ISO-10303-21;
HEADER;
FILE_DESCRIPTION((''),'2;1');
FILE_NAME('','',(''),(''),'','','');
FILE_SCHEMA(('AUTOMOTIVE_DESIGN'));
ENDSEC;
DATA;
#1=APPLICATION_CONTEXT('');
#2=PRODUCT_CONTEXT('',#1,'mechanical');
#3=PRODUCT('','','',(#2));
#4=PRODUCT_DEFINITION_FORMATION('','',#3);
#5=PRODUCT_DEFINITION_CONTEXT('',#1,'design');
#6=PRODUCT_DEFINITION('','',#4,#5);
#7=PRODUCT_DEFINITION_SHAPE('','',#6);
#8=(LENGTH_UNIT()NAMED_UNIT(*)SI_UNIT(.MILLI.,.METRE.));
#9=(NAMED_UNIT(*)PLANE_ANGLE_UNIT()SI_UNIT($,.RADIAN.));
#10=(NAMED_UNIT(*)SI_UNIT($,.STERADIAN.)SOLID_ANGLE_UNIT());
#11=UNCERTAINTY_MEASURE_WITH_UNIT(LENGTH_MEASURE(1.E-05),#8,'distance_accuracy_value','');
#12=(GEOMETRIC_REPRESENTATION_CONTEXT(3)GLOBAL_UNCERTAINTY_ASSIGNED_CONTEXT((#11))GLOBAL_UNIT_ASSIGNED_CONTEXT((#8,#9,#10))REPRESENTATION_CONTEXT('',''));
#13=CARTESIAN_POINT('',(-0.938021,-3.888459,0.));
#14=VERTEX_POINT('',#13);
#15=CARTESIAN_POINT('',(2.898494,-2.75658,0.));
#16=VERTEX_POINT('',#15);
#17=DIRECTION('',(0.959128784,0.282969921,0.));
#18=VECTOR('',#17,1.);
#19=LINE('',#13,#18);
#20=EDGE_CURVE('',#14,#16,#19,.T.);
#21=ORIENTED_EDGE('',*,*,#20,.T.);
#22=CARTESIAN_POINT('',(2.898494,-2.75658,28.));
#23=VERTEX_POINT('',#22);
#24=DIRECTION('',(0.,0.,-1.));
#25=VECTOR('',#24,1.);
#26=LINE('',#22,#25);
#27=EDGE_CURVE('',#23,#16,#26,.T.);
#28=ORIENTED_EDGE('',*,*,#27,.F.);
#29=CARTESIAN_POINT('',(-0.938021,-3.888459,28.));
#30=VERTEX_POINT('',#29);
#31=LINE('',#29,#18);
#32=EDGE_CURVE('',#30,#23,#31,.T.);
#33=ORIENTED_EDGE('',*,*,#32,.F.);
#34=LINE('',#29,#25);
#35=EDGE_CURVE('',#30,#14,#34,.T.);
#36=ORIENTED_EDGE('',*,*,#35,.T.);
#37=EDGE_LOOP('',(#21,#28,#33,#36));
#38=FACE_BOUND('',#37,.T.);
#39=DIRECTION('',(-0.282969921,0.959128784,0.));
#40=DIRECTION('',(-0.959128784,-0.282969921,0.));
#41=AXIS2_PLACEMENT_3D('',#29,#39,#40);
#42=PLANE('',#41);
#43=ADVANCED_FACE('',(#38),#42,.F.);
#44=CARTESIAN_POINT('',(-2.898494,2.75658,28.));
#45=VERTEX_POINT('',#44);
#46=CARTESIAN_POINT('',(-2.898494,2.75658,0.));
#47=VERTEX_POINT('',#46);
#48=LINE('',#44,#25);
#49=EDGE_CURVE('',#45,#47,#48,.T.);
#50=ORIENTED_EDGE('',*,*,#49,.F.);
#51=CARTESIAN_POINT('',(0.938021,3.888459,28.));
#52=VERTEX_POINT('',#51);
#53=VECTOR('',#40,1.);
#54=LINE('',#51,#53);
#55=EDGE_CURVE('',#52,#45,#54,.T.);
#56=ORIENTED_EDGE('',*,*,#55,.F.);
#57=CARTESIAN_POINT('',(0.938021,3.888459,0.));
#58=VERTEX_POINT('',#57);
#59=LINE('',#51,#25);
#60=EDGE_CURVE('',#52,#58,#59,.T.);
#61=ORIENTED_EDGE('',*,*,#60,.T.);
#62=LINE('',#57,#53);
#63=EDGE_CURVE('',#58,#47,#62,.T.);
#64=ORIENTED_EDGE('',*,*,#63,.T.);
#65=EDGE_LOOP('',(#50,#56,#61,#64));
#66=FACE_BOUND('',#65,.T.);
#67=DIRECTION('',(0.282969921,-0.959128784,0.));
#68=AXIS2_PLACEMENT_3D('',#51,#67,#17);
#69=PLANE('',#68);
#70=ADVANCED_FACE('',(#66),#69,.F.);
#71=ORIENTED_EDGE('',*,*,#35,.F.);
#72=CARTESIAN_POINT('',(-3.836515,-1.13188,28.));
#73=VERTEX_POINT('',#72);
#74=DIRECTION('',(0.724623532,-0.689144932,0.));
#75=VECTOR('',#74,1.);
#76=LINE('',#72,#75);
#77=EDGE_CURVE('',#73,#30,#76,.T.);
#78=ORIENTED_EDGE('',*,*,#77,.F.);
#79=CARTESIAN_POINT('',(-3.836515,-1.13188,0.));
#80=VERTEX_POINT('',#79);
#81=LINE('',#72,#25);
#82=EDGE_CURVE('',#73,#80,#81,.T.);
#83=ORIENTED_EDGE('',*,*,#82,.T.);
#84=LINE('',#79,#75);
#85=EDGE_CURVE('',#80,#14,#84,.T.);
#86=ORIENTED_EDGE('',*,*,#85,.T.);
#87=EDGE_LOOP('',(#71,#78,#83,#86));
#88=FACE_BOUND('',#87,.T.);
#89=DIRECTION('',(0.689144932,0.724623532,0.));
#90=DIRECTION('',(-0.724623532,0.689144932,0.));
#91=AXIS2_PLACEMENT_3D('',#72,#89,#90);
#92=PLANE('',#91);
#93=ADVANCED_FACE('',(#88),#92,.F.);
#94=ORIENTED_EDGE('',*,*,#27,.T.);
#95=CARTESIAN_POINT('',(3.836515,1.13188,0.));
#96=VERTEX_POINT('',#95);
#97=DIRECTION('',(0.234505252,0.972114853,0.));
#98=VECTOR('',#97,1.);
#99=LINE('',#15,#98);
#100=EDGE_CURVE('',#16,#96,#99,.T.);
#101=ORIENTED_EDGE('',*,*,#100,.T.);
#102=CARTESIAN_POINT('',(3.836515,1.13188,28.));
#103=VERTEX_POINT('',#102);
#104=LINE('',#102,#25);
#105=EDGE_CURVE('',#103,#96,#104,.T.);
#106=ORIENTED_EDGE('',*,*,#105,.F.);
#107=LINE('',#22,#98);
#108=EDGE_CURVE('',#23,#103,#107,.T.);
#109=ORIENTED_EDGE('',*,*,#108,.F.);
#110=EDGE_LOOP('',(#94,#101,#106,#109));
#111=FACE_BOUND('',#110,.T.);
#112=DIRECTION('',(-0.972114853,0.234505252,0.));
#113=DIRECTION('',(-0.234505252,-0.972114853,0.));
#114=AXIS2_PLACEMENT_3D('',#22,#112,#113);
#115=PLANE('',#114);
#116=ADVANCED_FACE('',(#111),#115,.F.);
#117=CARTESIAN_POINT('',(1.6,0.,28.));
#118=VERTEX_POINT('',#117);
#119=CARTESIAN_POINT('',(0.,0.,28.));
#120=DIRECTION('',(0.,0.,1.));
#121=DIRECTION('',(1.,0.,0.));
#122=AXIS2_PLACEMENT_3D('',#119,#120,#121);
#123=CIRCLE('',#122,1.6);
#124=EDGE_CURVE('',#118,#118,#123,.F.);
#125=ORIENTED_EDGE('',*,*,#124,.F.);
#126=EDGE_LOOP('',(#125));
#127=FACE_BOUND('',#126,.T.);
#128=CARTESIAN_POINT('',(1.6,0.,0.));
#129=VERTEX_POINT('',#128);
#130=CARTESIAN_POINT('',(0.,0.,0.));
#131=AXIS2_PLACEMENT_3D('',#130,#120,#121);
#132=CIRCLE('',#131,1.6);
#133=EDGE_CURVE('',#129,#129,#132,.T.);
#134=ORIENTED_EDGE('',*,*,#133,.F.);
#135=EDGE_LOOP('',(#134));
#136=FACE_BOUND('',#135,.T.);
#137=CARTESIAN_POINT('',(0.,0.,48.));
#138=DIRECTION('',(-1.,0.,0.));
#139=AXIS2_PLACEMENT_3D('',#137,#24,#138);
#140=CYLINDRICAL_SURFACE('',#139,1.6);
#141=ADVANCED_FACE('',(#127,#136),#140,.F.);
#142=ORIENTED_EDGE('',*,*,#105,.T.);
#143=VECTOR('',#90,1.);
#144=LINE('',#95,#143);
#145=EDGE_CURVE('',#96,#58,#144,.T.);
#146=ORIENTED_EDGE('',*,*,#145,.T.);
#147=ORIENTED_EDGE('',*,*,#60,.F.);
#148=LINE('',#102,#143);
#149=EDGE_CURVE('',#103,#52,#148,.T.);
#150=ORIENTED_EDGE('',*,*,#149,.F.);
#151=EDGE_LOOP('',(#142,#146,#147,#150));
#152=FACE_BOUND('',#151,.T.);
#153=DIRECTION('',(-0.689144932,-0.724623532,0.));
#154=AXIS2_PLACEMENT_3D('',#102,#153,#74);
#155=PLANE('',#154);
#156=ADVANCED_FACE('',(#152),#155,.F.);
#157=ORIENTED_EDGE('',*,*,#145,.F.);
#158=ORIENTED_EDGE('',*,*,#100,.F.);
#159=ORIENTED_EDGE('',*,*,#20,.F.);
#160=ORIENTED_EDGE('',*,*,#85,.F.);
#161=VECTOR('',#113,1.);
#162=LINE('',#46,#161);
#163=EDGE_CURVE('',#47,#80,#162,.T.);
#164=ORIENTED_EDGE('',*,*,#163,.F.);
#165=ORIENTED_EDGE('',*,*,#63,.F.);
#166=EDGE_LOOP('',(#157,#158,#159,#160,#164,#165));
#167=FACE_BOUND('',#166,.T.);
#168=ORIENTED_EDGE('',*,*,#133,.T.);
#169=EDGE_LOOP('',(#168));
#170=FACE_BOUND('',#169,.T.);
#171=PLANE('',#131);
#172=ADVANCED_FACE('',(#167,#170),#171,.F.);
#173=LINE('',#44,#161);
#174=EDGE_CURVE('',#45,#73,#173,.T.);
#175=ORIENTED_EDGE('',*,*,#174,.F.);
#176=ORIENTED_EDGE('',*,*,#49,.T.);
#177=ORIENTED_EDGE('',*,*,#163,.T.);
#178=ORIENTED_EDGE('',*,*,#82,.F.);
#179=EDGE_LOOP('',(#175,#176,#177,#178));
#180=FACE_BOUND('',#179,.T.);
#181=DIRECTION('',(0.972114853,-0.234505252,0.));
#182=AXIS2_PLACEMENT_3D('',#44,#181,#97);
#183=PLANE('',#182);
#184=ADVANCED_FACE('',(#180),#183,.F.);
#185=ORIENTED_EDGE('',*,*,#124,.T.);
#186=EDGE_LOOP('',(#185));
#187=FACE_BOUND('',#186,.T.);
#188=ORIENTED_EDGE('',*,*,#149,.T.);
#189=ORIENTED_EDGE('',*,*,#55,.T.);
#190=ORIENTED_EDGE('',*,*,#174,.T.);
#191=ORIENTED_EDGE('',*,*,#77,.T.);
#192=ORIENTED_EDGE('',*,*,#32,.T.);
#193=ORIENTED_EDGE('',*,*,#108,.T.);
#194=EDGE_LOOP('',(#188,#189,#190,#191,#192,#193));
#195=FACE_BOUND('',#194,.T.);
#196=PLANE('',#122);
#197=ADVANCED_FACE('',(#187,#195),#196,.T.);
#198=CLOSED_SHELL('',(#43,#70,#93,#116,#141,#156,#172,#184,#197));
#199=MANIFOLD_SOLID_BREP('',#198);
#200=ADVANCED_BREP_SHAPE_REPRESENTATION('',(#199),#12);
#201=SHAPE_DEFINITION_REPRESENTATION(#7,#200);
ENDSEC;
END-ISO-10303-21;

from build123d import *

# Parameters (mm, degrees)
EXTRUDE_1_DEPTH     = 28
SKETCH_2_R          = 1.6
CUT_EXTRUDE_1_DEPTH = 48


with BuildPart() as part:
    # 草图1 → 凸台-拉伸1 (new body)
    with BuildSketch(Plane.XY):
        Polygon((2.898494128, -2.756579727), (3.836515135, 1.131879684), (0.938021007, 3.888459411), (-2.898494128, 2.756579727), (-3.836515135, -1.131879684), (-0.938021007, -3.888459411), align=None)
    extrude(amount=EXTRUDE_1_DEPTH)

    # 草图2 → 切除-拉伸1 (cut)
    with BuildSketch(Plane.XY):
        Circle(SKETCH_2_R)
    extrude(amount=CUT_EXTRUDE_1_DEPTH, mode=Mode.SUBTRACT)


solid = part.part
